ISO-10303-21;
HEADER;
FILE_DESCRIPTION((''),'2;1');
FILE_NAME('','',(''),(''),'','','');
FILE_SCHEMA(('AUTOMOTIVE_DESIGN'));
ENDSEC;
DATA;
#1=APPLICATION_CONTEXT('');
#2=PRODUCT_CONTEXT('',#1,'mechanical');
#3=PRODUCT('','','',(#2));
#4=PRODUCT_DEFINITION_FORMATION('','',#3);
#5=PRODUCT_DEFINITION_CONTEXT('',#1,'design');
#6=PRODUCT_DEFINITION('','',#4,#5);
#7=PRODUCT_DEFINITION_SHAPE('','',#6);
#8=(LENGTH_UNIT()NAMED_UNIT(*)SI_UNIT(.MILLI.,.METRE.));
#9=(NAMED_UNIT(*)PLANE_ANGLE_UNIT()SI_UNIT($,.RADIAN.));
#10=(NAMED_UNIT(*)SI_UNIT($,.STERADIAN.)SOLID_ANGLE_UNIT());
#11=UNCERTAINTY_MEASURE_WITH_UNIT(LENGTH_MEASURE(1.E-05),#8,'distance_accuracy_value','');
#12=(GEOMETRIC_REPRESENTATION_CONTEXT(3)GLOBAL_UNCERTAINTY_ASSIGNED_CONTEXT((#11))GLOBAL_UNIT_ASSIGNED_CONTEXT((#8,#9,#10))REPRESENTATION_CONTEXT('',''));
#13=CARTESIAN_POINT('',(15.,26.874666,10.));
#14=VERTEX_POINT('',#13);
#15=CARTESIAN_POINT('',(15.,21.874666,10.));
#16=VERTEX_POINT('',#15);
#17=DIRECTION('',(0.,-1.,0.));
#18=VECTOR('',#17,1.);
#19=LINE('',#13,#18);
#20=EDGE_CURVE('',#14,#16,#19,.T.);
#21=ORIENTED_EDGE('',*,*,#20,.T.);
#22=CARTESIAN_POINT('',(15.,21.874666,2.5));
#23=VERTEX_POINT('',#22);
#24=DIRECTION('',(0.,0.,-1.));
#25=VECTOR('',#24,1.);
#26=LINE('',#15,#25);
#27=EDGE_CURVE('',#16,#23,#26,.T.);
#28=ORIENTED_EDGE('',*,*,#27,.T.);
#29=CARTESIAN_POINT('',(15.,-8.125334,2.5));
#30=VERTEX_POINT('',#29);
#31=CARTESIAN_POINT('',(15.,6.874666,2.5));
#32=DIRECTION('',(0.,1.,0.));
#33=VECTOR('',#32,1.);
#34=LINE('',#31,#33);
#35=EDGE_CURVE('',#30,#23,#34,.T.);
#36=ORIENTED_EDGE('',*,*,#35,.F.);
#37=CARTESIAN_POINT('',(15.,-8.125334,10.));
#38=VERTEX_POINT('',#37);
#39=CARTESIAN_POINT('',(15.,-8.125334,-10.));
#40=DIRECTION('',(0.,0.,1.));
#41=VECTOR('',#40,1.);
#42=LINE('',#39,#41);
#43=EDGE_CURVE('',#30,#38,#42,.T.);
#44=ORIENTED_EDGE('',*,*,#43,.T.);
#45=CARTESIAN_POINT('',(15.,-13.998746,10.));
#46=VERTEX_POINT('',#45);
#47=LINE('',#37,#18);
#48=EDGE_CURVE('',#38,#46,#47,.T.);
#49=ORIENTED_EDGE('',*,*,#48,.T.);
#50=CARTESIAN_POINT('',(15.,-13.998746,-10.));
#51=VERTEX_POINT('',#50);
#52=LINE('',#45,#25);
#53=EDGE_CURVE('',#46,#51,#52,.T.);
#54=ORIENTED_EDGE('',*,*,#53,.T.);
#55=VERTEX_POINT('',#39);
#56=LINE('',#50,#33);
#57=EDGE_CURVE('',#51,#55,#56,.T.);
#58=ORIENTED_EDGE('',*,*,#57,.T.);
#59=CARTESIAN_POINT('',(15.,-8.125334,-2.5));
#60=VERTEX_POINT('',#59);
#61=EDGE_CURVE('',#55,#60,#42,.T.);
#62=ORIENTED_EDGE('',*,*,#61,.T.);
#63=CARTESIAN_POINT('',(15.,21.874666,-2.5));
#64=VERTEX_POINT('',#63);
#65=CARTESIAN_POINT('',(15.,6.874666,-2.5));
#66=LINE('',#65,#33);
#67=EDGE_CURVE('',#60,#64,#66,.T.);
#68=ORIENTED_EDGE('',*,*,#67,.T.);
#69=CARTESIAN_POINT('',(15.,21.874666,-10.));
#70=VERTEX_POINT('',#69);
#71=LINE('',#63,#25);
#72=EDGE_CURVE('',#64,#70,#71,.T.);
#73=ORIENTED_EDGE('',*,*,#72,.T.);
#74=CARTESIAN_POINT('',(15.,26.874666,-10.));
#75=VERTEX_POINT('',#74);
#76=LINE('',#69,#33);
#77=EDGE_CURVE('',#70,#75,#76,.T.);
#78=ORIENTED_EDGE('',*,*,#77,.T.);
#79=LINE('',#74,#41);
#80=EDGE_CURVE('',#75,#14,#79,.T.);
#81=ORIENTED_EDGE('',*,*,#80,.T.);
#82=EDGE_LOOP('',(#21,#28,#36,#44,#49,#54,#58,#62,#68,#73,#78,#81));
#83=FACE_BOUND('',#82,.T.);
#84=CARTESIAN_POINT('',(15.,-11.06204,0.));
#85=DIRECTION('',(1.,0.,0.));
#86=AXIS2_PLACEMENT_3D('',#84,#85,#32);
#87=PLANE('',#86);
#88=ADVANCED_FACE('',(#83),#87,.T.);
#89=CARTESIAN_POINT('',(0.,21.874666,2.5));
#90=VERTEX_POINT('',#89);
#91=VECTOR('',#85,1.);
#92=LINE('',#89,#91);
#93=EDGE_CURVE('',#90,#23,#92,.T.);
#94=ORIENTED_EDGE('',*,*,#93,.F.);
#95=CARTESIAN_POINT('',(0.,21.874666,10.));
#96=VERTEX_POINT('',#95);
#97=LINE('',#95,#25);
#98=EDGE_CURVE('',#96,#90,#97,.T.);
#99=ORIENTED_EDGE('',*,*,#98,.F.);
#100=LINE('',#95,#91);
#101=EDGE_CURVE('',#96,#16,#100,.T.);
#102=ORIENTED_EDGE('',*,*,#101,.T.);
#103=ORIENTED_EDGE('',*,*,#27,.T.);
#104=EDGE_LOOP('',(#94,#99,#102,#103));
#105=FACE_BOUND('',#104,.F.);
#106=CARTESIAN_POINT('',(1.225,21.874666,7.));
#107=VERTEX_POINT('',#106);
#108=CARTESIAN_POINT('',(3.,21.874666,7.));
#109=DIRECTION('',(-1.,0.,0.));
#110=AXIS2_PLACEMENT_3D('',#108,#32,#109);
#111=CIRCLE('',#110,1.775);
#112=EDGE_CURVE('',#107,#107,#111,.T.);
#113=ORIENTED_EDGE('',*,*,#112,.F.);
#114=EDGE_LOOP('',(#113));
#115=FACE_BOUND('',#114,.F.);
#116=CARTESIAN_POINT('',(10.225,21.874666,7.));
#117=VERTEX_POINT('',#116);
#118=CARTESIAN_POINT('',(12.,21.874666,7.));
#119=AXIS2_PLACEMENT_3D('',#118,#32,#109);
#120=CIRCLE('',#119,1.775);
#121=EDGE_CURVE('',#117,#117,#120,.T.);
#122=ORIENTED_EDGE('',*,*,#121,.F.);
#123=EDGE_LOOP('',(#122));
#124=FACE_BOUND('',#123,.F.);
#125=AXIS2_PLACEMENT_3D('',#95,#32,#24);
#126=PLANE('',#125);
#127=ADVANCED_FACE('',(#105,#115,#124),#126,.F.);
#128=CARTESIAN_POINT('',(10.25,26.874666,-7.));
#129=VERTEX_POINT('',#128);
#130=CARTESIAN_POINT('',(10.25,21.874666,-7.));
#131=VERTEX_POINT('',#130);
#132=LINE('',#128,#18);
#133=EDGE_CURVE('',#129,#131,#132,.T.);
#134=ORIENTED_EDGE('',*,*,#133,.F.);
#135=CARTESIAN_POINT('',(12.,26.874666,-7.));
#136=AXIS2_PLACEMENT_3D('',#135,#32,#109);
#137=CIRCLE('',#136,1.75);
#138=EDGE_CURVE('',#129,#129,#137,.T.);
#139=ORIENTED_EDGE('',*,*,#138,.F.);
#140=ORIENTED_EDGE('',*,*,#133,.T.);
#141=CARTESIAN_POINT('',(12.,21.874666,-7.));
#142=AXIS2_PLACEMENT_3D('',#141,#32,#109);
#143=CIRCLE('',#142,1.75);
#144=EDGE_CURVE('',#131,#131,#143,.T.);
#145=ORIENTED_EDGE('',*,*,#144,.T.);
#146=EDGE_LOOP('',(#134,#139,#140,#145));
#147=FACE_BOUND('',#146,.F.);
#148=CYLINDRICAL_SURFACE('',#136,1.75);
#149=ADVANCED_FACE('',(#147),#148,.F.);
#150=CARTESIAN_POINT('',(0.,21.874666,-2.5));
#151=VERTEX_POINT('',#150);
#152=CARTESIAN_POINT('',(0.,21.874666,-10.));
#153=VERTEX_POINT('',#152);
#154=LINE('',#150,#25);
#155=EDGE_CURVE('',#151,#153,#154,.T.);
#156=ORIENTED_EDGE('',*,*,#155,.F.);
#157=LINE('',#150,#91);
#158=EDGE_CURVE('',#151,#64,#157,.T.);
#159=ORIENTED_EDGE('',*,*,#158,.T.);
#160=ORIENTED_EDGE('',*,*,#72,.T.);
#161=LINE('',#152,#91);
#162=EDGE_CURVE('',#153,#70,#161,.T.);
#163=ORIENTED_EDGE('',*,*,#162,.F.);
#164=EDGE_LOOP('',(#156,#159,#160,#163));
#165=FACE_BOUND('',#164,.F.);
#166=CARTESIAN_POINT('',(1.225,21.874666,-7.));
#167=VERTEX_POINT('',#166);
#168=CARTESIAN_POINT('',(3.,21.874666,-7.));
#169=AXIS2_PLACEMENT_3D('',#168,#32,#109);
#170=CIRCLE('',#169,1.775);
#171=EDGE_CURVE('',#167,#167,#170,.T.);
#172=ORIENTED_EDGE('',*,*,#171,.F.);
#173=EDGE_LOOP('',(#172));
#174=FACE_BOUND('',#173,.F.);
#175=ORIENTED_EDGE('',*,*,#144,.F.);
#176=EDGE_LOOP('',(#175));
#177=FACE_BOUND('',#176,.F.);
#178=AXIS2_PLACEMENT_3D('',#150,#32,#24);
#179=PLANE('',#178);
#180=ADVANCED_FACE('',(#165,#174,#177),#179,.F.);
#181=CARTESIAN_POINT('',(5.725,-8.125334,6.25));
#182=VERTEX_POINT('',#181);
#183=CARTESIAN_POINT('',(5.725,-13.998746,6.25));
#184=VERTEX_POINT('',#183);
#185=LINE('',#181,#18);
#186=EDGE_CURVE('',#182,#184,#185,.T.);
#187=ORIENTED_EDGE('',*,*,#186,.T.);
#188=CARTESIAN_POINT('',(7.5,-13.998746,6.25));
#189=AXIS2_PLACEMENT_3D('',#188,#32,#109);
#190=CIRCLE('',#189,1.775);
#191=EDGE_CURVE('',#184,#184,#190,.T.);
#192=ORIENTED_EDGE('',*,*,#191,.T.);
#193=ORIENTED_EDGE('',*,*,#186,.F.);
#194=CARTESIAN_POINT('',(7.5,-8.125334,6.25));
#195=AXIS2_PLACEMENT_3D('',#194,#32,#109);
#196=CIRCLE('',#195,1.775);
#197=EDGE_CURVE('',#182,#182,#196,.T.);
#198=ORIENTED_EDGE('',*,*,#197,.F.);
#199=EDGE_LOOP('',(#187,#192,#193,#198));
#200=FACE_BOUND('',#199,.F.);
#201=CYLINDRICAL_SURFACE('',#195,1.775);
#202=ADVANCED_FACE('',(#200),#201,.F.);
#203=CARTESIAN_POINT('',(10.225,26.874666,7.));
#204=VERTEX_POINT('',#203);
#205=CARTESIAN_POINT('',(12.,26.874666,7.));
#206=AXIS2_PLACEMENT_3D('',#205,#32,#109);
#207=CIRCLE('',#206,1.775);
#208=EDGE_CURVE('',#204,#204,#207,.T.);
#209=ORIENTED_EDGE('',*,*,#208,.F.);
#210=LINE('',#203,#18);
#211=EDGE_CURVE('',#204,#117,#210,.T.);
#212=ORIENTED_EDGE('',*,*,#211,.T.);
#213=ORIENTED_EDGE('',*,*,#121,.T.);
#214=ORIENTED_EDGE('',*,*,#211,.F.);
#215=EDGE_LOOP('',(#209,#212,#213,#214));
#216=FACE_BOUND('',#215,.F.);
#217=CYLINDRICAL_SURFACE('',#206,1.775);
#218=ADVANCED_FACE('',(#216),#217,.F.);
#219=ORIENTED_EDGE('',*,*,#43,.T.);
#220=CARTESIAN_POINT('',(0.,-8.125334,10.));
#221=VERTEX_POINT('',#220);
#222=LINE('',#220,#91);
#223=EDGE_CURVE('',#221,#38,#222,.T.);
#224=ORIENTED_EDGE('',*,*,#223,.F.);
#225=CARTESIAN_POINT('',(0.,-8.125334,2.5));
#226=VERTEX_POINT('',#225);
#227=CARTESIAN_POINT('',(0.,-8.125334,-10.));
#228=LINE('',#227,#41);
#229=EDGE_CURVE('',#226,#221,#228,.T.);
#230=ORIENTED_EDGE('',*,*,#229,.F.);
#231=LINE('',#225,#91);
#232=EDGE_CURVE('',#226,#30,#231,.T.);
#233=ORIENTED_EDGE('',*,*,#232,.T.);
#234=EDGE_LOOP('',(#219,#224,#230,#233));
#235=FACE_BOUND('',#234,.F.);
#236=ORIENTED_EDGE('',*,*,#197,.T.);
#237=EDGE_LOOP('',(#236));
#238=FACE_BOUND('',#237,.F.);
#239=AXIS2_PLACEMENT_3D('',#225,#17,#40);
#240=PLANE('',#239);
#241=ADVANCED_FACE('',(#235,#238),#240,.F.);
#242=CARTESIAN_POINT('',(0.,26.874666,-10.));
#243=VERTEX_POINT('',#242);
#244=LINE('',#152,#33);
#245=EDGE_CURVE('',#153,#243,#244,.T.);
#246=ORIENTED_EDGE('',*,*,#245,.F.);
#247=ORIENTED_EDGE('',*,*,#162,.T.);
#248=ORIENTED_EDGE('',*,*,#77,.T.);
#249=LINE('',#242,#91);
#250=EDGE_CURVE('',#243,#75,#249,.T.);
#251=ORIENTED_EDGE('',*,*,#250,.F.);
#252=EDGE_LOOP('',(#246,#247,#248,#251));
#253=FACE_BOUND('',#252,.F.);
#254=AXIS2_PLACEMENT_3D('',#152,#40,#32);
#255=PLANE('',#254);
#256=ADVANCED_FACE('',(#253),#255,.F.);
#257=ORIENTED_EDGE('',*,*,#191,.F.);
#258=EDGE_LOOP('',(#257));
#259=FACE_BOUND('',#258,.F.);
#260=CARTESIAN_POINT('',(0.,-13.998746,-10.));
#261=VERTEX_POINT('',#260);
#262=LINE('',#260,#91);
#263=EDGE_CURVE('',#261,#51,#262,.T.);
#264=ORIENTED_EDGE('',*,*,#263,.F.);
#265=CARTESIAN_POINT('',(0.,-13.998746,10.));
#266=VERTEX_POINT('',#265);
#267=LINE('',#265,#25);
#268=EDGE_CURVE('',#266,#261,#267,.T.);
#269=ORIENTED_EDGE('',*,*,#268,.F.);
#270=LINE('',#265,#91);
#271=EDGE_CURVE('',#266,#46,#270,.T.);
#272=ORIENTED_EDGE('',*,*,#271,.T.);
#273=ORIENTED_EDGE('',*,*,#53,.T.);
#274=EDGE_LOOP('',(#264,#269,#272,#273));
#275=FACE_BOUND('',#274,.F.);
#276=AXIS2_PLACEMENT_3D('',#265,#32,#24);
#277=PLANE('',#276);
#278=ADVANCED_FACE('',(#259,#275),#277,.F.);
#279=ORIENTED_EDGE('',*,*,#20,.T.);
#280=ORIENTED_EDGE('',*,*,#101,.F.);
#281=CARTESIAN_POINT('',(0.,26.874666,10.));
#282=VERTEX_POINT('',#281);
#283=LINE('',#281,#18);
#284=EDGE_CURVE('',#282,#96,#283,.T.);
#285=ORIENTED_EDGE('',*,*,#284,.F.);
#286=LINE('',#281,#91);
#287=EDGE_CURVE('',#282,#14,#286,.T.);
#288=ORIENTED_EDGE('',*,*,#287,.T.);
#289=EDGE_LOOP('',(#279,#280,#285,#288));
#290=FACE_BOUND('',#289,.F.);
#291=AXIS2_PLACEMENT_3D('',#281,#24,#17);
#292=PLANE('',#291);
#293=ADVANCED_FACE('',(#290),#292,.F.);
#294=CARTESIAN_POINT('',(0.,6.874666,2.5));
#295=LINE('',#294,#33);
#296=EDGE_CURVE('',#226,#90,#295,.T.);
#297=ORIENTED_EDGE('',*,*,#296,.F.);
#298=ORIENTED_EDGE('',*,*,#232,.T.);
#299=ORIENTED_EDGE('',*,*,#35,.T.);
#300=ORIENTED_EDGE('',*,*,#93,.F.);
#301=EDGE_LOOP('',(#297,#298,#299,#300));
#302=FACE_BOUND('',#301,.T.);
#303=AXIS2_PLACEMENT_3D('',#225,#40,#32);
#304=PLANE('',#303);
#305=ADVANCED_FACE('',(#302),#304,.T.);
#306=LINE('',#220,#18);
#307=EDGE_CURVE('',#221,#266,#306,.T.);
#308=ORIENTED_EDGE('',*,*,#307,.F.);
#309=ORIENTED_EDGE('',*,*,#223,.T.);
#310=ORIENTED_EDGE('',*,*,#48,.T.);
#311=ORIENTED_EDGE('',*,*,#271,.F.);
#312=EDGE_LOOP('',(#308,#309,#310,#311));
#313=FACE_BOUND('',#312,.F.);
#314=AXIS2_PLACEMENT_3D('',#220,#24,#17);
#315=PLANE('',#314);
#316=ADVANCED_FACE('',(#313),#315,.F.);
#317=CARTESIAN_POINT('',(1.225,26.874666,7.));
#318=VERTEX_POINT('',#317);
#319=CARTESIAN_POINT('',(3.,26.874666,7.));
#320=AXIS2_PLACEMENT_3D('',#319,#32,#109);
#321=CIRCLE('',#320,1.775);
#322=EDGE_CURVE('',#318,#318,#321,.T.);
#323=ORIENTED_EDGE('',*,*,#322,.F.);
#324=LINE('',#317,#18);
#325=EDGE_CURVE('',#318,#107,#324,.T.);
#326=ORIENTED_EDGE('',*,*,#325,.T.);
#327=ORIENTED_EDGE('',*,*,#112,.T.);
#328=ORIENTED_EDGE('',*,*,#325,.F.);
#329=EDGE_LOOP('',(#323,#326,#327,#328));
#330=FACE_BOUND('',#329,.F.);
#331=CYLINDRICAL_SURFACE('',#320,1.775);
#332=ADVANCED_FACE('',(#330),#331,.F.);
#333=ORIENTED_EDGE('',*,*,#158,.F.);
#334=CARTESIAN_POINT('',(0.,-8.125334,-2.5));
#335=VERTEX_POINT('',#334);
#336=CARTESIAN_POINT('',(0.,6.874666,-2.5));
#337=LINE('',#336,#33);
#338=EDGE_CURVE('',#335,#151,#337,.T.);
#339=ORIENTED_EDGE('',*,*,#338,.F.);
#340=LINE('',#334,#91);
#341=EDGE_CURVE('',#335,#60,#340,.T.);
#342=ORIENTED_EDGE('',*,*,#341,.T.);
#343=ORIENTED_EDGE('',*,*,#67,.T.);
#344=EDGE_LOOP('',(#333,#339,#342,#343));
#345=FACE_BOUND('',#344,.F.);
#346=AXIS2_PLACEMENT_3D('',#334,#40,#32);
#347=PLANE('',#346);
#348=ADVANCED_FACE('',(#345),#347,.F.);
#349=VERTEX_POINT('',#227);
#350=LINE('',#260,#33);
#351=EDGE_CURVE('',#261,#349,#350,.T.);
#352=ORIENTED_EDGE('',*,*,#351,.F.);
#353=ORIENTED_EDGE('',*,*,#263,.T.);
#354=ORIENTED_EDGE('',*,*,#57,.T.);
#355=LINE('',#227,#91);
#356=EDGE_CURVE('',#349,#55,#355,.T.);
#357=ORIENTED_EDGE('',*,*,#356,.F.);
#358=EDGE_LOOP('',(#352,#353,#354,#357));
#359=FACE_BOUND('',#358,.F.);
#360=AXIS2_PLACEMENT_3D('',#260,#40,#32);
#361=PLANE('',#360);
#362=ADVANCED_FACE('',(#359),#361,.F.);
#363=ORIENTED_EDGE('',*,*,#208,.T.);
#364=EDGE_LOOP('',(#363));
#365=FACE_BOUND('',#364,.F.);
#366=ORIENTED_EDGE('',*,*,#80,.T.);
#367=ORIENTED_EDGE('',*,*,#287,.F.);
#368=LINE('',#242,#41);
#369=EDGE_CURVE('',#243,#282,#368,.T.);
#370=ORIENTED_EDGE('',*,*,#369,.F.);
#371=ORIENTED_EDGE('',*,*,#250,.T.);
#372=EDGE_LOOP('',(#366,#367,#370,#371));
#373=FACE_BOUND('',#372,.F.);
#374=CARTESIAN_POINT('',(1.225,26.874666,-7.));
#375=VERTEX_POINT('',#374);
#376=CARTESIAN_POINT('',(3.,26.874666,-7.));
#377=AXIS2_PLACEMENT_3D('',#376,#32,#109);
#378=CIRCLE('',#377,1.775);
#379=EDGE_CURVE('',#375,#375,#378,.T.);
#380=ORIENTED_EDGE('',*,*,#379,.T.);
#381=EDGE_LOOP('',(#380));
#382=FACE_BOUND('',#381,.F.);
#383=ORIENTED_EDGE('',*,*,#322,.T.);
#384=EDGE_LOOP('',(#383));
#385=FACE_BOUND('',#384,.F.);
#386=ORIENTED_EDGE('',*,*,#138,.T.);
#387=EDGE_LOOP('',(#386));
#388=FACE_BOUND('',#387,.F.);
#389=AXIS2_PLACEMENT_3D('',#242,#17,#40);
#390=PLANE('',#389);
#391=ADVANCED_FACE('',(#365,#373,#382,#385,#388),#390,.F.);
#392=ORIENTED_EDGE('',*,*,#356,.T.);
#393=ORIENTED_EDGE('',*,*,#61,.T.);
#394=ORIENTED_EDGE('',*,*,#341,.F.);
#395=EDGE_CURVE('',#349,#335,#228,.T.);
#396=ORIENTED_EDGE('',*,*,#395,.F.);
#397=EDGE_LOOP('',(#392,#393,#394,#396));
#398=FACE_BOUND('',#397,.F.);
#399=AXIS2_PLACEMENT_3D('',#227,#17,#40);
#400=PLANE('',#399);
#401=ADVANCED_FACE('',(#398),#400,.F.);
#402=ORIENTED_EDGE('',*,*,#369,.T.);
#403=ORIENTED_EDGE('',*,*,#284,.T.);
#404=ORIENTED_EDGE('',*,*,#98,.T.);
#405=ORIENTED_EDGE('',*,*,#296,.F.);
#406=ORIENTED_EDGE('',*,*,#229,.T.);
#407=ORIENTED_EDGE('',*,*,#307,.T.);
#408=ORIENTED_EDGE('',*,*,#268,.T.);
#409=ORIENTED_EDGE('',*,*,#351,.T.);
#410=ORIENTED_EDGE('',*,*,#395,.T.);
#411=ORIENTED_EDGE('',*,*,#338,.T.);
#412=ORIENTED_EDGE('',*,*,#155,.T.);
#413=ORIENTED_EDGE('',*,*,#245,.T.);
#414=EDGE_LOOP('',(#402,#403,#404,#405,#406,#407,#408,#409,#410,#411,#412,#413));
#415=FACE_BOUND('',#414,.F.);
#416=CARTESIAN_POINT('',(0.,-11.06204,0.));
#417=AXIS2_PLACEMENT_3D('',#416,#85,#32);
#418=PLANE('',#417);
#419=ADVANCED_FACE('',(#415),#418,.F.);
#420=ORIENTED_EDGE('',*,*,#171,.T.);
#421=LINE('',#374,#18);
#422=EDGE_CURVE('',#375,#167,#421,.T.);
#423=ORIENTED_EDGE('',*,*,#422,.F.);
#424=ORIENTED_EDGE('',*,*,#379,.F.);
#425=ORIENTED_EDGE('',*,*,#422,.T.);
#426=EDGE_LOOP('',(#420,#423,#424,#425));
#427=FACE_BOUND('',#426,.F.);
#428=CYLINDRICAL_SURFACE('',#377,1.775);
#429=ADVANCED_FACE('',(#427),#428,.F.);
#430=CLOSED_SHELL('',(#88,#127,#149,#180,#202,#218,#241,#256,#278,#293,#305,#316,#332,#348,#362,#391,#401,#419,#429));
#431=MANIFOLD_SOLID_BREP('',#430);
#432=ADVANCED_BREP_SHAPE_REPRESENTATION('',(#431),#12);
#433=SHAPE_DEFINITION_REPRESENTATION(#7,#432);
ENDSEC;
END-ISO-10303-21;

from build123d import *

# Parameters (mm, degrees)
F0_W     = 30
F0_H     = 5
F1_DEPTH = 15
F3_R     = 1.775
F4_DEPTH = 25
F2_R     = 1.775
F2_R_2   = 1.75
F5_DEPTH = 25


with BuildPart() as f1:
    # F0 (on Right) → F1 (new body)
    with BuildSketch(Plane.YZ):
        Polygon((-8.125334, 10), (-13.998746, 10), (-13.998746, -10), (-8.125334, -10), (-8.125334, -2.5), (-8.125334, 2.5), align=None)
        with Locations((6.874666, 0)):
            Rectangle(F0_W, F0_H)
        Polygon((21.874666, 10), (21.874666, 2.5), (21.874666, -2.5), (21.874666, -10), (26.874666, -10), (26.874666, 10), align=None)
    extrude(amount=F1_DEPTH)

    # F3 (on face) → F4 (cut)
    with BuildSketch(Plane(origin=(0, -8.125334, 0), x_dir=(-1, 0, 0), z_dir=(0, 1, 0))):
        with Locations((-7.5, 6.25)):
            Circle(F3_R)
    extrude(amount=-F4_DEPTH, mode=Mode.SUBTRACT)

    # F2 (on face) → F5 (cut)
    with BuildSketch(Plane(origin=(0, 26.874666, 0), x_dir=(-1, 0, 0), z_dir=(0, 1, 0))):
        with Locations((-12, 7)):
            Circle(F2_R)
        with Locations((-3, 7)):
            Circle(F2_R)
        with Locations((-3, -7)):
            Circle(F2_R)
        with Locations((-12, -7)):
            Circle(F2_R_2)
    extrude(amount=-F5_DEPTH, mode=Mode.SUBTRACT)


solid = f1.part
